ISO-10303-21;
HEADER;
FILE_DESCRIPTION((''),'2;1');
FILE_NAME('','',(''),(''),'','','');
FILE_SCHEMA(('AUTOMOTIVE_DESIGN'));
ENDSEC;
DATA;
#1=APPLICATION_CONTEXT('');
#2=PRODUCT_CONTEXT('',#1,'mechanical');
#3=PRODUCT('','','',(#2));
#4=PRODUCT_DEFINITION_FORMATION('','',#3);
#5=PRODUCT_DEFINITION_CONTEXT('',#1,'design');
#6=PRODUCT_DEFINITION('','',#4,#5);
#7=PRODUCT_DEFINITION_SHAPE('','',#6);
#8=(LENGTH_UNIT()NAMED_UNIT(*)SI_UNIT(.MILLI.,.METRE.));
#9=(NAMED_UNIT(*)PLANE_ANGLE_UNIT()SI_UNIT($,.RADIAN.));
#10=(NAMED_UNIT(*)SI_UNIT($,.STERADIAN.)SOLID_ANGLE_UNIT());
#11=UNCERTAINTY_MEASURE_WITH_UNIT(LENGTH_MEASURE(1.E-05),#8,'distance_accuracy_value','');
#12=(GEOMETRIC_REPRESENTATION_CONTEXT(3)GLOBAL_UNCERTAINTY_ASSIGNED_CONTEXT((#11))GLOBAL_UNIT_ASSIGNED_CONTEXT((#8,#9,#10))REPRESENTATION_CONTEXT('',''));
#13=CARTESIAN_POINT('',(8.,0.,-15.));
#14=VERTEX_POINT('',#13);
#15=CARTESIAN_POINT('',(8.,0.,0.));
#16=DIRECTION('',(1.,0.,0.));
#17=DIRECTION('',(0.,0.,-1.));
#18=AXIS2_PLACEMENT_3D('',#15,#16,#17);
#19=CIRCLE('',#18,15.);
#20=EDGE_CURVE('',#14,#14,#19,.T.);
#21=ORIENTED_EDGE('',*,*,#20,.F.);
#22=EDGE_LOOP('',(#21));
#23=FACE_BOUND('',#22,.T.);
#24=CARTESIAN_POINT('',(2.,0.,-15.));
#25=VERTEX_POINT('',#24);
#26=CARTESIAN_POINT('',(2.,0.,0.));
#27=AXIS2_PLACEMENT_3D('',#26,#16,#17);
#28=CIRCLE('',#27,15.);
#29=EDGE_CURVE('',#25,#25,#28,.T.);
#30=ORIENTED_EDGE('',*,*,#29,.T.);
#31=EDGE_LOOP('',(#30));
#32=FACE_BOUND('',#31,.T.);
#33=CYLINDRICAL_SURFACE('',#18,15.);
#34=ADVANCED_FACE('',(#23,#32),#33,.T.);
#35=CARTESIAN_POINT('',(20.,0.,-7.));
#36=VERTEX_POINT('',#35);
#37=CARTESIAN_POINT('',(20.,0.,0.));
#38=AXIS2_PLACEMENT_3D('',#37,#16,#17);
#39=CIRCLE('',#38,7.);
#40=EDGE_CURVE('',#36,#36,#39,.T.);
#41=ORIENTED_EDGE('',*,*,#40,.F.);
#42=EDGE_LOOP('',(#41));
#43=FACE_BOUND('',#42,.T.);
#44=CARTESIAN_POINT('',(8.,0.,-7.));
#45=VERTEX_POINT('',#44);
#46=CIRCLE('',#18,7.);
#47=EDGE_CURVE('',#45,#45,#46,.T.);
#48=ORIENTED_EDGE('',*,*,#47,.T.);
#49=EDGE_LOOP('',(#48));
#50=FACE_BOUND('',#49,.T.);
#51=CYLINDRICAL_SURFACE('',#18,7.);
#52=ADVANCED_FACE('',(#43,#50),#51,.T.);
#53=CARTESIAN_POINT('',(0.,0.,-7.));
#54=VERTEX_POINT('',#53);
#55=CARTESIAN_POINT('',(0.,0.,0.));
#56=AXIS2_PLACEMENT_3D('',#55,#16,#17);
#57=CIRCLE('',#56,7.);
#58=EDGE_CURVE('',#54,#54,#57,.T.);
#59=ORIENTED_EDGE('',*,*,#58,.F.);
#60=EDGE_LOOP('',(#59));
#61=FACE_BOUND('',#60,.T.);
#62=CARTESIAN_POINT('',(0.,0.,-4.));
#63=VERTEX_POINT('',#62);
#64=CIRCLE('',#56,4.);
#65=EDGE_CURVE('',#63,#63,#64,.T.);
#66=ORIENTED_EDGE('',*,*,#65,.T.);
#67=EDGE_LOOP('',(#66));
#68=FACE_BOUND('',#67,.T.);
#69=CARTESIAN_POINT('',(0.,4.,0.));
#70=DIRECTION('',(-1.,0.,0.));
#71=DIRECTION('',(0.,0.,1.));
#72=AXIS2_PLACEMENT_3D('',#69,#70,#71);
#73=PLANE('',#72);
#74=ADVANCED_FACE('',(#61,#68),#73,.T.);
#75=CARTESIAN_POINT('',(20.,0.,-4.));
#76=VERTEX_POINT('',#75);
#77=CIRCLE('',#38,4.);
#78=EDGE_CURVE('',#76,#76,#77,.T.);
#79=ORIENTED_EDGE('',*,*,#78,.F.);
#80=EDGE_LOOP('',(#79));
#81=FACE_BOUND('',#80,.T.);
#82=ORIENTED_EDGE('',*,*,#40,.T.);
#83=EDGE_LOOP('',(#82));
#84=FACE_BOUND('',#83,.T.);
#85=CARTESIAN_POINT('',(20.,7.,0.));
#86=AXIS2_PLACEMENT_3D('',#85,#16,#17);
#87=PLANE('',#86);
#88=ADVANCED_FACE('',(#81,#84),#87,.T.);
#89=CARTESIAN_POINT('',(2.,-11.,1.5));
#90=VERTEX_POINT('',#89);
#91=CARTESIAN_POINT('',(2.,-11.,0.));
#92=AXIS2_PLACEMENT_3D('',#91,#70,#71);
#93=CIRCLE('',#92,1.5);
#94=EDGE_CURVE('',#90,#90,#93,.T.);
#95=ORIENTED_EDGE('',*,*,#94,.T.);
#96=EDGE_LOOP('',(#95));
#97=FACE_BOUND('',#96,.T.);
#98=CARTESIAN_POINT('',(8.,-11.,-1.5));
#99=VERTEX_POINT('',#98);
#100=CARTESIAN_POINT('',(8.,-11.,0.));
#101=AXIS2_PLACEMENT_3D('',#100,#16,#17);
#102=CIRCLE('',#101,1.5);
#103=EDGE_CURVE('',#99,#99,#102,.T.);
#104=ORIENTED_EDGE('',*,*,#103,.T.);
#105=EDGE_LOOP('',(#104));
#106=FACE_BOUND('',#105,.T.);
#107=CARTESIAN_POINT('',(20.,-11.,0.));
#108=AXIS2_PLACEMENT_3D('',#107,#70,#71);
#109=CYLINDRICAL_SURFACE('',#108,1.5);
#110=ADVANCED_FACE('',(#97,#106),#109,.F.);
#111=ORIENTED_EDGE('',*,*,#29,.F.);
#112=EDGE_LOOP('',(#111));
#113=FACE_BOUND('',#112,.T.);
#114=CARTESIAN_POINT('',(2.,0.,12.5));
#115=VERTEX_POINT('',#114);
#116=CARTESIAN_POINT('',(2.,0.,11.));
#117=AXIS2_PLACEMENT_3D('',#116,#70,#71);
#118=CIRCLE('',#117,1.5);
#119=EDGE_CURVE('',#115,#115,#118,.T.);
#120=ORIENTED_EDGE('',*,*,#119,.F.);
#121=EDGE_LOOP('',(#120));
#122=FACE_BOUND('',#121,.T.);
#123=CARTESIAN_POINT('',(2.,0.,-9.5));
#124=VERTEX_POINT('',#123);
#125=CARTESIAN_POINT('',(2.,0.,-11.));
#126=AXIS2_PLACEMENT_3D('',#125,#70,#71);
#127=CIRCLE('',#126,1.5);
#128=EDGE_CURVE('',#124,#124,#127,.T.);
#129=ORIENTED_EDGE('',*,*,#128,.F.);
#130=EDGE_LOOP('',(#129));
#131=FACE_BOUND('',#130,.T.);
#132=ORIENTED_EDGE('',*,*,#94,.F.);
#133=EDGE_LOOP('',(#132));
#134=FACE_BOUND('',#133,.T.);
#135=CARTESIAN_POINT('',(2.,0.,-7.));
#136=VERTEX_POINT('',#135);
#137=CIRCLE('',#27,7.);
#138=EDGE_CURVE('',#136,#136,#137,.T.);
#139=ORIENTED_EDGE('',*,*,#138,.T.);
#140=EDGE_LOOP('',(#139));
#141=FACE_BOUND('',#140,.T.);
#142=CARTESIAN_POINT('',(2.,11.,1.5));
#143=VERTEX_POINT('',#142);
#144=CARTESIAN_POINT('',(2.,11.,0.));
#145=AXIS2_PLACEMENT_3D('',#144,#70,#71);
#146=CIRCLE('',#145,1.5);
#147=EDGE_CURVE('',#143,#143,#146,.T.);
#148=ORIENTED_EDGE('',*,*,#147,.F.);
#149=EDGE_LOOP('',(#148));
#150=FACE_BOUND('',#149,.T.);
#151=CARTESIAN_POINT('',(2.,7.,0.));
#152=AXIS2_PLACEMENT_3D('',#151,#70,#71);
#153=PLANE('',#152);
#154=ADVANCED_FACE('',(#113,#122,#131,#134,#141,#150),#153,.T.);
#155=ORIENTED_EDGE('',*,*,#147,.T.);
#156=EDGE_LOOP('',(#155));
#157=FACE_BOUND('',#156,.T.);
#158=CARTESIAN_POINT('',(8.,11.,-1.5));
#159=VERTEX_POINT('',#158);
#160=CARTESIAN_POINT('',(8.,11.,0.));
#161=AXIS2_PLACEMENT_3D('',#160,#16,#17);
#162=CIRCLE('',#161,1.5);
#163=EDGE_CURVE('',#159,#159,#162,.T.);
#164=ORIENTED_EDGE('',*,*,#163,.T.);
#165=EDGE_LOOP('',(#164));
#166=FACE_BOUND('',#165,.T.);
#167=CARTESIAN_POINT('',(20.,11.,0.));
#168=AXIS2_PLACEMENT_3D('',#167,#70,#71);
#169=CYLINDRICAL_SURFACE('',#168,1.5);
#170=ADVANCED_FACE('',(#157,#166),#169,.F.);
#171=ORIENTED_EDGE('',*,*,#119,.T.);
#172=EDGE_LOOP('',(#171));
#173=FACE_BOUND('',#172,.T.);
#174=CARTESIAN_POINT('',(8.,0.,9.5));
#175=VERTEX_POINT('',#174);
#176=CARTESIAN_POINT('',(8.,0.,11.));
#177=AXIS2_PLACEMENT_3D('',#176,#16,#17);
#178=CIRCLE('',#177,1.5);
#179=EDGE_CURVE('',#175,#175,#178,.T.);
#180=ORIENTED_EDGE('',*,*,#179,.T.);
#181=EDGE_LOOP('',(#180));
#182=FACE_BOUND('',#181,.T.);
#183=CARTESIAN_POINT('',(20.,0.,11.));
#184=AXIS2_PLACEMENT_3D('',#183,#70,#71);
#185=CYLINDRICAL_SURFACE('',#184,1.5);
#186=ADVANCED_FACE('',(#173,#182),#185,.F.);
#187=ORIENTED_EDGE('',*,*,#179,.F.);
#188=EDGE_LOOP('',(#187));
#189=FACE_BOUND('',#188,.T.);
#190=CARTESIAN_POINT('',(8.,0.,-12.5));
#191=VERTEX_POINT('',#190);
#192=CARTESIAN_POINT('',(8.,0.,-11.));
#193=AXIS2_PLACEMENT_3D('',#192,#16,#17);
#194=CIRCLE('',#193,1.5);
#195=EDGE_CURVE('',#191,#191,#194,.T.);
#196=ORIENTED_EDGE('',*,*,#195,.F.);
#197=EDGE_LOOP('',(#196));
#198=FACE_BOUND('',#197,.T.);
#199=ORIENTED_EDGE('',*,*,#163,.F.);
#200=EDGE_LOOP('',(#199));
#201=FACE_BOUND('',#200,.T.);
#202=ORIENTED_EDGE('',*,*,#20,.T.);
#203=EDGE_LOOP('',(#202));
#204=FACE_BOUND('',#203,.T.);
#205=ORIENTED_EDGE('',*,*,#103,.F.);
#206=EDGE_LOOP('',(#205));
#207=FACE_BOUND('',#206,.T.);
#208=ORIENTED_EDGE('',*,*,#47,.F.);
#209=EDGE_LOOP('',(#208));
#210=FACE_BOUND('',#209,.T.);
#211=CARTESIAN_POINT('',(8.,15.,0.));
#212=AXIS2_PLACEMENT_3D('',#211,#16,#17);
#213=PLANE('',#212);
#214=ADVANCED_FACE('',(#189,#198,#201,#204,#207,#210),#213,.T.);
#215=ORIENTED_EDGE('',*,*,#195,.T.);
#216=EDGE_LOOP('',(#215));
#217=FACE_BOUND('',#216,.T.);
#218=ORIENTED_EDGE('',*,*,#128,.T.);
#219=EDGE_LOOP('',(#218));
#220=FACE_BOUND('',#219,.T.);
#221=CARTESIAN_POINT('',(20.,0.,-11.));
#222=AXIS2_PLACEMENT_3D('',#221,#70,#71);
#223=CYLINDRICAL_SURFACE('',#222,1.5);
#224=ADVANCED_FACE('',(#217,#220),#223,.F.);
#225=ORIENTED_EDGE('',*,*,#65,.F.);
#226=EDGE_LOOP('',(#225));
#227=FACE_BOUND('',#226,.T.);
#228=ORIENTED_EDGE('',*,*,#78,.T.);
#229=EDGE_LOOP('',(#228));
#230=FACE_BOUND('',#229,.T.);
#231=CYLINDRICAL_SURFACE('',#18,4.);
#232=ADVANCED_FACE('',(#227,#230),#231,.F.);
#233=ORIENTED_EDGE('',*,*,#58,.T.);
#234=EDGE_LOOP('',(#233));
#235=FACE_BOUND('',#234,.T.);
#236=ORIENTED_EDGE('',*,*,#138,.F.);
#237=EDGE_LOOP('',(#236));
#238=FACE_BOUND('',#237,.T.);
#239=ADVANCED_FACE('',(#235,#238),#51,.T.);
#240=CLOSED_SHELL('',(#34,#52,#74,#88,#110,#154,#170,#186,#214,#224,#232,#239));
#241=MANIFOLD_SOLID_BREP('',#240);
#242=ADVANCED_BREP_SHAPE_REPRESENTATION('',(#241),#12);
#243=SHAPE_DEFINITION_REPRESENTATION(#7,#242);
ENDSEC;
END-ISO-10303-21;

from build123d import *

# Parameters (mm, degrees)
SKETCH_2_R          = 1.5
CUT_EXTRUDE_1_DEPTH = 28.820855486


with BuildPart() as part:
    # Эскиз1 → Повернуть1 (revolve)
    with BuildSketch(Plane.XY, mode=Mode.PRIVATE) as revolve_1_sk:
        Polygon((0, 4), (0, 7), (2, 7), (2, 15), (8, 15), (8, 7), (20, 7), (20, 4), align=None)
    revolve(revolve_1_sk.sketch.rotate(Axis((8, 0, 0), (-1, 0, 0)), 90), axis=Axis((8, 0, 0), (-1, 0, 0)))

    # Эскиз2 → Вырез-Вытянуть1 (cut, through all)
    with BuildSketch(Plane.ZY.offset(-2)):
        with Locations((0, 11)):
            Circle(SKETCH_2_R)
        with Locations((-11, 0)):
            Circle(SKETCH_2_R)
        with Locations((0, -11)):
            Circle(SKETCH_2_R)
        with Locations((11, 0)):
            Circle(SKETCH_2_R)
    extrude(amount=-CUT_EXTRUDE_1_DEPTH, mode=Mode.SUBTRACT)


solid = part.part
